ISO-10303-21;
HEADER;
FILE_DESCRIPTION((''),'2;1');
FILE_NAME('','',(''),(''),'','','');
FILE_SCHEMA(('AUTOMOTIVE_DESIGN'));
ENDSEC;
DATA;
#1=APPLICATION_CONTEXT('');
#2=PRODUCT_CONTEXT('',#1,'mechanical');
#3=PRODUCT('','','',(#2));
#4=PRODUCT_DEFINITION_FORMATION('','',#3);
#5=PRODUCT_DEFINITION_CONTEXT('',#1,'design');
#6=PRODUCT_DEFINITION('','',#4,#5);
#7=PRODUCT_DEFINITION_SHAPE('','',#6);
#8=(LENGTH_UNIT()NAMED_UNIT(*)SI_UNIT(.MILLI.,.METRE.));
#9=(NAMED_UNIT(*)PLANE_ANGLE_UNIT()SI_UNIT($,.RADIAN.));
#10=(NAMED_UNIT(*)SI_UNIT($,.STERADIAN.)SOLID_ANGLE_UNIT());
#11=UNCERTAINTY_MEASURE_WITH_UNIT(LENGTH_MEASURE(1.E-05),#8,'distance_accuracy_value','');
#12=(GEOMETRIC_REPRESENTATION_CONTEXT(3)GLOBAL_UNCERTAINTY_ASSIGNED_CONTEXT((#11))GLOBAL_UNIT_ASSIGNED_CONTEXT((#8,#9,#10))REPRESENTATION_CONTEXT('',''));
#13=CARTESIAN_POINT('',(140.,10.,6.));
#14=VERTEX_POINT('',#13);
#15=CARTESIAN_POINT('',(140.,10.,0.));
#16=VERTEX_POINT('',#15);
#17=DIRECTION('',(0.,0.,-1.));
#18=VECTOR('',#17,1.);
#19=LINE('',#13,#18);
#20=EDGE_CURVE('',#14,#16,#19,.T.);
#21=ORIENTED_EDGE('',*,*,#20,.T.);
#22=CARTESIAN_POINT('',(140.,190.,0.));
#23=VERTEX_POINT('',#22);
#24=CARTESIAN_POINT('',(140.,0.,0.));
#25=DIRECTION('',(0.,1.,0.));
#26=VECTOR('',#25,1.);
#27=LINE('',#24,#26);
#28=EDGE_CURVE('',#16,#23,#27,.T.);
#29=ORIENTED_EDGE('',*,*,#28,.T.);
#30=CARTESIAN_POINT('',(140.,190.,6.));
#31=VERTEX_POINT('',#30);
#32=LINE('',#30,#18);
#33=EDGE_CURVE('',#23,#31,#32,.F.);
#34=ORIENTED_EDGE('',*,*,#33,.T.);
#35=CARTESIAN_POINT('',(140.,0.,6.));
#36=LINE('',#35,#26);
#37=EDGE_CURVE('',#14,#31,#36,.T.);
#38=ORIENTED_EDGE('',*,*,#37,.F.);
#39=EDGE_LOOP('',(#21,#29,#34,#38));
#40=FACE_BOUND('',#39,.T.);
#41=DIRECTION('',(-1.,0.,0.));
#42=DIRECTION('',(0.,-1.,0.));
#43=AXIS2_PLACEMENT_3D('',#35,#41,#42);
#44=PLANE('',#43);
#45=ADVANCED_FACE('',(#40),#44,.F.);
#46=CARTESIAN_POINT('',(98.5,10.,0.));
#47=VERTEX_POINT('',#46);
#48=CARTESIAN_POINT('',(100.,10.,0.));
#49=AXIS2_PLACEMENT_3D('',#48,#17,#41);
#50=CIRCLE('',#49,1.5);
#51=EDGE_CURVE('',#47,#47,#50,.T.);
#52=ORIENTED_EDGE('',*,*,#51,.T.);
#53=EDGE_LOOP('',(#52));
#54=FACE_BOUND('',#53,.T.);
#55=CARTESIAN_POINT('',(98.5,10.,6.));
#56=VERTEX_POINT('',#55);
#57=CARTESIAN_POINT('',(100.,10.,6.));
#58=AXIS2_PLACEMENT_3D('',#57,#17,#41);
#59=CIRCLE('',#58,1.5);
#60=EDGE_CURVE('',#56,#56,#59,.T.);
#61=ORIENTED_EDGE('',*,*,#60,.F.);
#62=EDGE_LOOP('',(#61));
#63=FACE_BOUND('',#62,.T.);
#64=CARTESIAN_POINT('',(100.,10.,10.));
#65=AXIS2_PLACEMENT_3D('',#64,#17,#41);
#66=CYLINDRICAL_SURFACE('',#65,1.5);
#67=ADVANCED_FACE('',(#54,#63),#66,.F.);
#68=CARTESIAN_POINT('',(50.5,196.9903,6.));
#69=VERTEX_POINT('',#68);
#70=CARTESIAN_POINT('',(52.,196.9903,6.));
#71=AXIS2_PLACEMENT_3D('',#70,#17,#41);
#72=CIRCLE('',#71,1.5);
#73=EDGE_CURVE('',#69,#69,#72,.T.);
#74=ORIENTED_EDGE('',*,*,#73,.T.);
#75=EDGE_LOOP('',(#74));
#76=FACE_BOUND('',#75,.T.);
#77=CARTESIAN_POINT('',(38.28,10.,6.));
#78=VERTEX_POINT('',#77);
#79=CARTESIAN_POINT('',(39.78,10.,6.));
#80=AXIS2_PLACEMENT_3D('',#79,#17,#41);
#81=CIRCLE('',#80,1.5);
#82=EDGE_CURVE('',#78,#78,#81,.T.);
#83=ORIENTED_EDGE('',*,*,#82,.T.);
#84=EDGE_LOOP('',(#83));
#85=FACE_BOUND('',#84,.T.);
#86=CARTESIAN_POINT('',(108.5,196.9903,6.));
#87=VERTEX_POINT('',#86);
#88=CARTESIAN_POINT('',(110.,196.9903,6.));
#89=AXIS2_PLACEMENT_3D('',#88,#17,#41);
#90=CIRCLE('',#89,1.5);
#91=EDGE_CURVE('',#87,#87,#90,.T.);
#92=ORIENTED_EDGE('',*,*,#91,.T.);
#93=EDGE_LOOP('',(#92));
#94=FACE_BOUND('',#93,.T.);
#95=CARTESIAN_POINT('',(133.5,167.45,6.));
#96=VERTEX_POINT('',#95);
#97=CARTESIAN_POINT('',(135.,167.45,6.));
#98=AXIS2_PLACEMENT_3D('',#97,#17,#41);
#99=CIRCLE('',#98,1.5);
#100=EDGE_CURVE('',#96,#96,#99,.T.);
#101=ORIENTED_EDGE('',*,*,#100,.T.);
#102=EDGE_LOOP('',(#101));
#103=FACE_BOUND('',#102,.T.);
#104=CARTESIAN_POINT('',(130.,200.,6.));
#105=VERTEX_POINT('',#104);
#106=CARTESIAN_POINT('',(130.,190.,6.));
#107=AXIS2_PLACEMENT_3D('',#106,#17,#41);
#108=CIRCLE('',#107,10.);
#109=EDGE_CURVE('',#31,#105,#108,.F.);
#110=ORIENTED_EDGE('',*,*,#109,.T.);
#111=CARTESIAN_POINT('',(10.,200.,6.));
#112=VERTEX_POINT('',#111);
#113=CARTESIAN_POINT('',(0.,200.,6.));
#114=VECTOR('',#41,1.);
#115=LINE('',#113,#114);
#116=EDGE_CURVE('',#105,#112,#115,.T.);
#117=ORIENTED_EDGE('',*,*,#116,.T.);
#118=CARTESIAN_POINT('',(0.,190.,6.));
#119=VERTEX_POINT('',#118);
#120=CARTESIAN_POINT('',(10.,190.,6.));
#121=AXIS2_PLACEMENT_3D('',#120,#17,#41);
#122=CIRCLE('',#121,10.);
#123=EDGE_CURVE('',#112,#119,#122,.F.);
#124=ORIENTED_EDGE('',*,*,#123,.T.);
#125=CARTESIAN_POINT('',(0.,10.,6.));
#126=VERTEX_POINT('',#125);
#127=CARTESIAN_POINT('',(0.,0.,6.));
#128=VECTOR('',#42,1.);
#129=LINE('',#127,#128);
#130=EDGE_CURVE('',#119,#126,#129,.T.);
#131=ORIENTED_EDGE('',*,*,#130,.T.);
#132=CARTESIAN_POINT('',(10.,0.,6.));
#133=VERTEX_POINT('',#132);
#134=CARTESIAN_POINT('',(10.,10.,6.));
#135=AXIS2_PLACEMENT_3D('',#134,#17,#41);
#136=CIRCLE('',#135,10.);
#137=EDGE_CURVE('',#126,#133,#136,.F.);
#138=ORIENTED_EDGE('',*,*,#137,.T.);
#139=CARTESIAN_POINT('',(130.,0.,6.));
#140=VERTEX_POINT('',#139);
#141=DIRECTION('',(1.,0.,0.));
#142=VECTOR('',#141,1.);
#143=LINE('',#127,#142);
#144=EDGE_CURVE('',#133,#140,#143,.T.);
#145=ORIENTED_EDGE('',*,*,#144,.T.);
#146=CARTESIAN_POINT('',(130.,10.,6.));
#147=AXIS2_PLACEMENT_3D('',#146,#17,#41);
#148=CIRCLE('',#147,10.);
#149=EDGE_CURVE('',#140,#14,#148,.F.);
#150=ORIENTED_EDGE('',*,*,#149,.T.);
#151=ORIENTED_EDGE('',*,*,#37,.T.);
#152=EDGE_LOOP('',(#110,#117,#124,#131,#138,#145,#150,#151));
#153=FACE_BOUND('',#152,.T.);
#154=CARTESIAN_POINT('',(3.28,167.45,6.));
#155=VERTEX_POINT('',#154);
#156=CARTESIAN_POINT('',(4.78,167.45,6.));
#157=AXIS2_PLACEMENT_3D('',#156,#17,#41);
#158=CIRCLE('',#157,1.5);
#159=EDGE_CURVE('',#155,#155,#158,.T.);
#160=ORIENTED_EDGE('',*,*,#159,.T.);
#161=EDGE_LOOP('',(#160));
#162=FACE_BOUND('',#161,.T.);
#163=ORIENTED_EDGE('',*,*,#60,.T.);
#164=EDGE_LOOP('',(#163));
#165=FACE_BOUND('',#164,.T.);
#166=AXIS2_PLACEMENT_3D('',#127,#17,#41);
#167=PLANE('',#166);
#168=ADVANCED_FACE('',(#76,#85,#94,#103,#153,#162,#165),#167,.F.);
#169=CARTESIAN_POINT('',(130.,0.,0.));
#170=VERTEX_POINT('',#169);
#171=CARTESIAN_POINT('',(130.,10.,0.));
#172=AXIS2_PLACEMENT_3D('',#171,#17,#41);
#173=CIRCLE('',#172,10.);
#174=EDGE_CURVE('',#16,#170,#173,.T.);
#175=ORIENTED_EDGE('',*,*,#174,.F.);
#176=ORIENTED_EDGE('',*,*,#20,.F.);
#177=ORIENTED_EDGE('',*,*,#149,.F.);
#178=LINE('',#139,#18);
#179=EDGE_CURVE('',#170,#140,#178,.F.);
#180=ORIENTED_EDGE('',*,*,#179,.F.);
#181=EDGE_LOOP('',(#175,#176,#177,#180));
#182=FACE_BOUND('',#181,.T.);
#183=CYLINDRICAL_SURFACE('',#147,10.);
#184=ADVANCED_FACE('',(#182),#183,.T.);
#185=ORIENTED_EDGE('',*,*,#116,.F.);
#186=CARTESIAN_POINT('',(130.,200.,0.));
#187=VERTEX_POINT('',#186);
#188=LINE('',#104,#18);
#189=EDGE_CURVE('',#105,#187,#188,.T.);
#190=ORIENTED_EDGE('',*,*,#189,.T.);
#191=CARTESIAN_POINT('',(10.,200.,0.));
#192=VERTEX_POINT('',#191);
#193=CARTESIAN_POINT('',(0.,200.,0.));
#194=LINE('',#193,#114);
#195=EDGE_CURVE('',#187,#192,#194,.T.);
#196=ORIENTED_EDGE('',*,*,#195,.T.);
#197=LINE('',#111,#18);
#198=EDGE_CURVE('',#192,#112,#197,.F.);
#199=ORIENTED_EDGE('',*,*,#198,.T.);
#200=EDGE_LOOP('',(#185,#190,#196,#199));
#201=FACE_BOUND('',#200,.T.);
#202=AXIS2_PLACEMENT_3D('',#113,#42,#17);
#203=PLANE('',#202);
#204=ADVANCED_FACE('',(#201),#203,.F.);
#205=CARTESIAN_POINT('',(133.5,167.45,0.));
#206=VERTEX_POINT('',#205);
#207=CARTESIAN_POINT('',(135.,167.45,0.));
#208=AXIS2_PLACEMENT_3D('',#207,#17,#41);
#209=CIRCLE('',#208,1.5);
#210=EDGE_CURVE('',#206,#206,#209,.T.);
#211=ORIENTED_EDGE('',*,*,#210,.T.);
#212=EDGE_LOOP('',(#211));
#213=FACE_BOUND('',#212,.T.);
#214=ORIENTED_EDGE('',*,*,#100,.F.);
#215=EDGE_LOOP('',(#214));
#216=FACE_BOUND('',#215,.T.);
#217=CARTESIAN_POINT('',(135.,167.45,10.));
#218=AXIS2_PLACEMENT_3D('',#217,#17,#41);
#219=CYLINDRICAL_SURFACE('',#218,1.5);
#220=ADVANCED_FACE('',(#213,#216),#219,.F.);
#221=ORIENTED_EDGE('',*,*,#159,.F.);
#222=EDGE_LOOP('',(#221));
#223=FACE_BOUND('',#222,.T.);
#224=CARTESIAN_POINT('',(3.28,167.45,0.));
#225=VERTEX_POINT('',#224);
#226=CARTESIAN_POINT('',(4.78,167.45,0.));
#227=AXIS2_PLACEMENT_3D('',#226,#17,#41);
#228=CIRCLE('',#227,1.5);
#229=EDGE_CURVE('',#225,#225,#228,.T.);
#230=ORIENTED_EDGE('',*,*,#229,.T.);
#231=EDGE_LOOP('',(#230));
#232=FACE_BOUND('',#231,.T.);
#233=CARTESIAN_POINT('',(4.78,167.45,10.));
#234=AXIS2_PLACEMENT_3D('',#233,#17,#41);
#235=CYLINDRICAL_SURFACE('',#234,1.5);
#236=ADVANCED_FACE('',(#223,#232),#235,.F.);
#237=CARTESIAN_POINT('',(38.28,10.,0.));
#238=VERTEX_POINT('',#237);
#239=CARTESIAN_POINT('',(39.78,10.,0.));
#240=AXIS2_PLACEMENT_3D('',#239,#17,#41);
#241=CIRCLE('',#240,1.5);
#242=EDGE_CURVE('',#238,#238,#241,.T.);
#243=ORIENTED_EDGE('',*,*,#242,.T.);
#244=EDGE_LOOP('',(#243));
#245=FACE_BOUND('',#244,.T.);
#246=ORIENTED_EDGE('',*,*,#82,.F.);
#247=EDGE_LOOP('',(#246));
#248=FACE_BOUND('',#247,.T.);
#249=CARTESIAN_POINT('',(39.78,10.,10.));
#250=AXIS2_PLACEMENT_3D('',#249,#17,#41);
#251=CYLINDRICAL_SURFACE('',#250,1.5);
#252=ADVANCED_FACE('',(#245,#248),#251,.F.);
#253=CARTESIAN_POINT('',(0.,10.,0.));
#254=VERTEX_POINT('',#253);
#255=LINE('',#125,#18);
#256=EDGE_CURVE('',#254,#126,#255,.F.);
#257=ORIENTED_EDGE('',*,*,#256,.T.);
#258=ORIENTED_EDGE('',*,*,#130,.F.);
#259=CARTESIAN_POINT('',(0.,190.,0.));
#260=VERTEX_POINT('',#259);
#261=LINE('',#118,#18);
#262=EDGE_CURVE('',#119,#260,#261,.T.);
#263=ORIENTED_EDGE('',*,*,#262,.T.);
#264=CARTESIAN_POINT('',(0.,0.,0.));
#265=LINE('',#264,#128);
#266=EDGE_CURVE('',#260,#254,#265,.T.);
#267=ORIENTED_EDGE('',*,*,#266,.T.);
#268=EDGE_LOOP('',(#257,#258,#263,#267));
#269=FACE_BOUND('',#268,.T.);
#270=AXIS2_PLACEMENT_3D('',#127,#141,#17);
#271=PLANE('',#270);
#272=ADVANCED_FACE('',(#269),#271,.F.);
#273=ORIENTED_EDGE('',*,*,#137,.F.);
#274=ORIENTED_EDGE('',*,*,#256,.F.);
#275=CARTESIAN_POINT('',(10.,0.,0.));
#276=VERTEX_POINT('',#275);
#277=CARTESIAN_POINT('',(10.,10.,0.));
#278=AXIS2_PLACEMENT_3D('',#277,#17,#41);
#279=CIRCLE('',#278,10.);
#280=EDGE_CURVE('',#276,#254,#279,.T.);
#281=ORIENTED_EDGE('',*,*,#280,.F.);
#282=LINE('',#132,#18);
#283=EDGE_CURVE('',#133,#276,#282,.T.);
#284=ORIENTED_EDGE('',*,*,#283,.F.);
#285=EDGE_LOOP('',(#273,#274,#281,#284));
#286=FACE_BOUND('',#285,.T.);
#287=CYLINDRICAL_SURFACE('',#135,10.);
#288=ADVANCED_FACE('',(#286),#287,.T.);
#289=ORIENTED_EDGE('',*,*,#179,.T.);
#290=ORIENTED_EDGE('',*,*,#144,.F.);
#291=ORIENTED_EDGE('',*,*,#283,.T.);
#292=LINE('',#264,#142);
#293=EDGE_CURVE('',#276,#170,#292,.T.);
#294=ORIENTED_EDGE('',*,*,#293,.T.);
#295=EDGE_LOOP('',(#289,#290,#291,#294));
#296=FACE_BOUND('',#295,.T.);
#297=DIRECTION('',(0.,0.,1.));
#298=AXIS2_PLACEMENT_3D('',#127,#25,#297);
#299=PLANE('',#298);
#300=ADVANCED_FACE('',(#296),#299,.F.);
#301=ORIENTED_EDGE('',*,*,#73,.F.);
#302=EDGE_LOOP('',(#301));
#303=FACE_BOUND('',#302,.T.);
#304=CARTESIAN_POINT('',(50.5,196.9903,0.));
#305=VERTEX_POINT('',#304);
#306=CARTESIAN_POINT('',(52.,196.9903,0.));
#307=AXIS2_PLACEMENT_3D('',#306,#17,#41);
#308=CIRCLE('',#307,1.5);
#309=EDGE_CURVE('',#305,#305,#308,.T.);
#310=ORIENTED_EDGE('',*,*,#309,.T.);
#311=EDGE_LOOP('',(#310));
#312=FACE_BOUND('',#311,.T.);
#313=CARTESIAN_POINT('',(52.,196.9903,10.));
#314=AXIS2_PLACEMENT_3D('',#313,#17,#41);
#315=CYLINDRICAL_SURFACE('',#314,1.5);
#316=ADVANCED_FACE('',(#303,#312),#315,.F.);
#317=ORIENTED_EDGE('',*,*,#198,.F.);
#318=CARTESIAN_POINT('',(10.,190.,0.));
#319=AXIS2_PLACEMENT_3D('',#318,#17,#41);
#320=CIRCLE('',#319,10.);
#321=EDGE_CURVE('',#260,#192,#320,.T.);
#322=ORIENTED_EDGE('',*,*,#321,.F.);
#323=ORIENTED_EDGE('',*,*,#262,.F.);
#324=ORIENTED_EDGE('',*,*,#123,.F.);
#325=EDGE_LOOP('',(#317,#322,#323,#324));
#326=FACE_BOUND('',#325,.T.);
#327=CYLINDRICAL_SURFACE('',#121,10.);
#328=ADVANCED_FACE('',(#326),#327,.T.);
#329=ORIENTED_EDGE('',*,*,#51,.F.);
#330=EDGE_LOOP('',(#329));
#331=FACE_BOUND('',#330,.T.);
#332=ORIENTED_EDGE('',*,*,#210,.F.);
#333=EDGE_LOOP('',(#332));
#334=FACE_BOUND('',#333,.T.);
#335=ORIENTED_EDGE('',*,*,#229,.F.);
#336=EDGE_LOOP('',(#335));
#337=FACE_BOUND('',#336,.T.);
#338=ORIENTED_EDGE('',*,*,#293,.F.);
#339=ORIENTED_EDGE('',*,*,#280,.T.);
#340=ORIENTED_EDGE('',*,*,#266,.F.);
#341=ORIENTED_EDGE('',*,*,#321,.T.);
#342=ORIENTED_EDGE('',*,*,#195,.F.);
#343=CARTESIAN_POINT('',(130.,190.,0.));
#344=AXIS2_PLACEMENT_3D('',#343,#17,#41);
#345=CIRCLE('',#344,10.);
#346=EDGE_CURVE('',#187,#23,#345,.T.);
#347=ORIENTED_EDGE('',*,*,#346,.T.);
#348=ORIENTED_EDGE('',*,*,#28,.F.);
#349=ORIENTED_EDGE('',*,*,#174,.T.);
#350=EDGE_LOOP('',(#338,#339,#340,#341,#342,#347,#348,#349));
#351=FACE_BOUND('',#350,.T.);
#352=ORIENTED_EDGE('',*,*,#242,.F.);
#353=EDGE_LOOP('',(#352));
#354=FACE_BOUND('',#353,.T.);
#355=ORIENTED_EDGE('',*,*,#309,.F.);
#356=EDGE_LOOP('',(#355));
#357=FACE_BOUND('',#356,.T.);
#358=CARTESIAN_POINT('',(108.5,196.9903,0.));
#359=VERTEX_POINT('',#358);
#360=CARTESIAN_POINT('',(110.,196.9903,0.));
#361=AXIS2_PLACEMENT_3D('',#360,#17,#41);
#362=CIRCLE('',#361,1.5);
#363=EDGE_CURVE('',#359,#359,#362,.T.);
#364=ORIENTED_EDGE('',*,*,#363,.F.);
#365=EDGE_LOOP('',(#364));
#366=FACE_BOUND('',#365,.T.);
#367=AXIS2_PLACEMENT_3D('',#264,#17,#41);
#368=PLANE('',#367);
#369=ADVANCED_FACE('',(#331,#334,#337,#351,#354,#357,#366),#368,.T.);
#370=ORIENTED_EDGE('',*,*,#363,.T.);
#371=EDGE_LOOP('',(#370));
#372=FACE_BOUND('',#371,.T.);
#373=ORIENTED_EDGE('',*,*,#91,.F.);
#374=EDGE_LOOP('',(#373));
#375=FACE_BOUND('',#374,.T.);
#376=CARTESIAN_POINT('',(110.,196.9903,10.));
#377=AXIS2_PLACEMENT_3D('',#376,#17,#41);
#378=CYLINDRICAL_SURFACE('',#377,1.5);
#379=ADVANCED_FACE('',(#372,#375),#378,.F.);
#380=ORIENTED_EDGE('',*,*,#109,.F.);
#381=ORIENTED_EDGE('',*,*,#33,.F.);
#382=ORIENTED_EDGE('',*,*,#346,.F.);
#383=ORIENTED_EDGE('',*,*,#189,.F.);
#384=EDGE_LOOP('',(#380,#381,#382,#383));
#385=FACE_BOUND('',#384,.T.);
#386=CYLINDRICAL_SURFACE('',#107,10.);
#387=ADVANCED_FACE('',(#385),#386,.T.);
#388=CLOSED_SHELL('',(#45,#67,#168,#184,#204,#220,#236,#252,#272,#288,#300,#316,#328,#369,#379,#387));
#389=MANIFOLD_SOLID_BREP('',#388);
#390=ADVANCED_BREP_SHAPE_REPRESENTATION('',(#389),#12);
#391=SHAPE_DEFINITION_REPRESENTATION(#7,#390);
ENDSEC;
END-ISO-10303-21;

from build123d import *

# Parameters (mm, degrees)
SKETCH1_W           = 140
SKETCH1_H           = 200
BOSS_EXTRUDE1_DEPTH = 6
FILLET1_R           = 10
SKETCH2_R           = 1.5
CUT_EXTRUDE1_DEPTH  = 10
SKETCH3_R           = 1.5
CUT_EXTRUDE2_DEPTH  = 10


with BuildPart() as part:
    # Sketch1 → Boss-Extrude1 (new body)
    with BuildSketch(Plane.XY):
        with Locations((70, 100)):
            Rectangle(SKETCH1_W, SKETCH1_H)
    extrude(amount=BOSS_EXTRUDE1_DEPTH)

    # Fillet1
    fillet1_edges = [part.edges().sort_by_distance(p)[0] for p in [
        (0, 200, 3),
        (140, 200, 3),
        (140, 0, 3),
        (0, 0, 3),
    ]]
    fillet(fillet1_edges, radius=FILLET1_R)

    # Sketch2 → Cut-Extrude1 (cut)
    with BuildSketch(Plane(origin=(0, 0, 0), x_dir=(-1, 0, 0), z_dir=(0, 0, -1))):
        with Locations((-100, 10)):
            Circle(SKETCH2_R)
        with Locations((-39.78, 10)):
            Circle(SKETCH2_R)
        with Locations((-135, 167.45)):
            Circle(SKETCH2_R)
        with Locations((-4.78, 167.45)):
            Circle(SKETCH2_R)
    extrude(amount=-CUT_EXTRUDE1_DEPTH, mode=Mode.SUBTRACT)

    # Sketch3 → Cut-Extrude2 (cut)
    with BuildSketch(Plane(origin=(0, 0, 0), x_dir=(-1, 0, 0), z_dir=(0, 0, -1))):
        with Locations((-110, 196.990300429)):
            Circle(SKETCH3_R)
        with Locations((-52, 196.990300429)):
            Circle(SKETCH3_R)
    extrude(amount=-CUT_EXTRUDE2_DEPTH, mode=Mode.SUBTRACT)


solid = part.part
